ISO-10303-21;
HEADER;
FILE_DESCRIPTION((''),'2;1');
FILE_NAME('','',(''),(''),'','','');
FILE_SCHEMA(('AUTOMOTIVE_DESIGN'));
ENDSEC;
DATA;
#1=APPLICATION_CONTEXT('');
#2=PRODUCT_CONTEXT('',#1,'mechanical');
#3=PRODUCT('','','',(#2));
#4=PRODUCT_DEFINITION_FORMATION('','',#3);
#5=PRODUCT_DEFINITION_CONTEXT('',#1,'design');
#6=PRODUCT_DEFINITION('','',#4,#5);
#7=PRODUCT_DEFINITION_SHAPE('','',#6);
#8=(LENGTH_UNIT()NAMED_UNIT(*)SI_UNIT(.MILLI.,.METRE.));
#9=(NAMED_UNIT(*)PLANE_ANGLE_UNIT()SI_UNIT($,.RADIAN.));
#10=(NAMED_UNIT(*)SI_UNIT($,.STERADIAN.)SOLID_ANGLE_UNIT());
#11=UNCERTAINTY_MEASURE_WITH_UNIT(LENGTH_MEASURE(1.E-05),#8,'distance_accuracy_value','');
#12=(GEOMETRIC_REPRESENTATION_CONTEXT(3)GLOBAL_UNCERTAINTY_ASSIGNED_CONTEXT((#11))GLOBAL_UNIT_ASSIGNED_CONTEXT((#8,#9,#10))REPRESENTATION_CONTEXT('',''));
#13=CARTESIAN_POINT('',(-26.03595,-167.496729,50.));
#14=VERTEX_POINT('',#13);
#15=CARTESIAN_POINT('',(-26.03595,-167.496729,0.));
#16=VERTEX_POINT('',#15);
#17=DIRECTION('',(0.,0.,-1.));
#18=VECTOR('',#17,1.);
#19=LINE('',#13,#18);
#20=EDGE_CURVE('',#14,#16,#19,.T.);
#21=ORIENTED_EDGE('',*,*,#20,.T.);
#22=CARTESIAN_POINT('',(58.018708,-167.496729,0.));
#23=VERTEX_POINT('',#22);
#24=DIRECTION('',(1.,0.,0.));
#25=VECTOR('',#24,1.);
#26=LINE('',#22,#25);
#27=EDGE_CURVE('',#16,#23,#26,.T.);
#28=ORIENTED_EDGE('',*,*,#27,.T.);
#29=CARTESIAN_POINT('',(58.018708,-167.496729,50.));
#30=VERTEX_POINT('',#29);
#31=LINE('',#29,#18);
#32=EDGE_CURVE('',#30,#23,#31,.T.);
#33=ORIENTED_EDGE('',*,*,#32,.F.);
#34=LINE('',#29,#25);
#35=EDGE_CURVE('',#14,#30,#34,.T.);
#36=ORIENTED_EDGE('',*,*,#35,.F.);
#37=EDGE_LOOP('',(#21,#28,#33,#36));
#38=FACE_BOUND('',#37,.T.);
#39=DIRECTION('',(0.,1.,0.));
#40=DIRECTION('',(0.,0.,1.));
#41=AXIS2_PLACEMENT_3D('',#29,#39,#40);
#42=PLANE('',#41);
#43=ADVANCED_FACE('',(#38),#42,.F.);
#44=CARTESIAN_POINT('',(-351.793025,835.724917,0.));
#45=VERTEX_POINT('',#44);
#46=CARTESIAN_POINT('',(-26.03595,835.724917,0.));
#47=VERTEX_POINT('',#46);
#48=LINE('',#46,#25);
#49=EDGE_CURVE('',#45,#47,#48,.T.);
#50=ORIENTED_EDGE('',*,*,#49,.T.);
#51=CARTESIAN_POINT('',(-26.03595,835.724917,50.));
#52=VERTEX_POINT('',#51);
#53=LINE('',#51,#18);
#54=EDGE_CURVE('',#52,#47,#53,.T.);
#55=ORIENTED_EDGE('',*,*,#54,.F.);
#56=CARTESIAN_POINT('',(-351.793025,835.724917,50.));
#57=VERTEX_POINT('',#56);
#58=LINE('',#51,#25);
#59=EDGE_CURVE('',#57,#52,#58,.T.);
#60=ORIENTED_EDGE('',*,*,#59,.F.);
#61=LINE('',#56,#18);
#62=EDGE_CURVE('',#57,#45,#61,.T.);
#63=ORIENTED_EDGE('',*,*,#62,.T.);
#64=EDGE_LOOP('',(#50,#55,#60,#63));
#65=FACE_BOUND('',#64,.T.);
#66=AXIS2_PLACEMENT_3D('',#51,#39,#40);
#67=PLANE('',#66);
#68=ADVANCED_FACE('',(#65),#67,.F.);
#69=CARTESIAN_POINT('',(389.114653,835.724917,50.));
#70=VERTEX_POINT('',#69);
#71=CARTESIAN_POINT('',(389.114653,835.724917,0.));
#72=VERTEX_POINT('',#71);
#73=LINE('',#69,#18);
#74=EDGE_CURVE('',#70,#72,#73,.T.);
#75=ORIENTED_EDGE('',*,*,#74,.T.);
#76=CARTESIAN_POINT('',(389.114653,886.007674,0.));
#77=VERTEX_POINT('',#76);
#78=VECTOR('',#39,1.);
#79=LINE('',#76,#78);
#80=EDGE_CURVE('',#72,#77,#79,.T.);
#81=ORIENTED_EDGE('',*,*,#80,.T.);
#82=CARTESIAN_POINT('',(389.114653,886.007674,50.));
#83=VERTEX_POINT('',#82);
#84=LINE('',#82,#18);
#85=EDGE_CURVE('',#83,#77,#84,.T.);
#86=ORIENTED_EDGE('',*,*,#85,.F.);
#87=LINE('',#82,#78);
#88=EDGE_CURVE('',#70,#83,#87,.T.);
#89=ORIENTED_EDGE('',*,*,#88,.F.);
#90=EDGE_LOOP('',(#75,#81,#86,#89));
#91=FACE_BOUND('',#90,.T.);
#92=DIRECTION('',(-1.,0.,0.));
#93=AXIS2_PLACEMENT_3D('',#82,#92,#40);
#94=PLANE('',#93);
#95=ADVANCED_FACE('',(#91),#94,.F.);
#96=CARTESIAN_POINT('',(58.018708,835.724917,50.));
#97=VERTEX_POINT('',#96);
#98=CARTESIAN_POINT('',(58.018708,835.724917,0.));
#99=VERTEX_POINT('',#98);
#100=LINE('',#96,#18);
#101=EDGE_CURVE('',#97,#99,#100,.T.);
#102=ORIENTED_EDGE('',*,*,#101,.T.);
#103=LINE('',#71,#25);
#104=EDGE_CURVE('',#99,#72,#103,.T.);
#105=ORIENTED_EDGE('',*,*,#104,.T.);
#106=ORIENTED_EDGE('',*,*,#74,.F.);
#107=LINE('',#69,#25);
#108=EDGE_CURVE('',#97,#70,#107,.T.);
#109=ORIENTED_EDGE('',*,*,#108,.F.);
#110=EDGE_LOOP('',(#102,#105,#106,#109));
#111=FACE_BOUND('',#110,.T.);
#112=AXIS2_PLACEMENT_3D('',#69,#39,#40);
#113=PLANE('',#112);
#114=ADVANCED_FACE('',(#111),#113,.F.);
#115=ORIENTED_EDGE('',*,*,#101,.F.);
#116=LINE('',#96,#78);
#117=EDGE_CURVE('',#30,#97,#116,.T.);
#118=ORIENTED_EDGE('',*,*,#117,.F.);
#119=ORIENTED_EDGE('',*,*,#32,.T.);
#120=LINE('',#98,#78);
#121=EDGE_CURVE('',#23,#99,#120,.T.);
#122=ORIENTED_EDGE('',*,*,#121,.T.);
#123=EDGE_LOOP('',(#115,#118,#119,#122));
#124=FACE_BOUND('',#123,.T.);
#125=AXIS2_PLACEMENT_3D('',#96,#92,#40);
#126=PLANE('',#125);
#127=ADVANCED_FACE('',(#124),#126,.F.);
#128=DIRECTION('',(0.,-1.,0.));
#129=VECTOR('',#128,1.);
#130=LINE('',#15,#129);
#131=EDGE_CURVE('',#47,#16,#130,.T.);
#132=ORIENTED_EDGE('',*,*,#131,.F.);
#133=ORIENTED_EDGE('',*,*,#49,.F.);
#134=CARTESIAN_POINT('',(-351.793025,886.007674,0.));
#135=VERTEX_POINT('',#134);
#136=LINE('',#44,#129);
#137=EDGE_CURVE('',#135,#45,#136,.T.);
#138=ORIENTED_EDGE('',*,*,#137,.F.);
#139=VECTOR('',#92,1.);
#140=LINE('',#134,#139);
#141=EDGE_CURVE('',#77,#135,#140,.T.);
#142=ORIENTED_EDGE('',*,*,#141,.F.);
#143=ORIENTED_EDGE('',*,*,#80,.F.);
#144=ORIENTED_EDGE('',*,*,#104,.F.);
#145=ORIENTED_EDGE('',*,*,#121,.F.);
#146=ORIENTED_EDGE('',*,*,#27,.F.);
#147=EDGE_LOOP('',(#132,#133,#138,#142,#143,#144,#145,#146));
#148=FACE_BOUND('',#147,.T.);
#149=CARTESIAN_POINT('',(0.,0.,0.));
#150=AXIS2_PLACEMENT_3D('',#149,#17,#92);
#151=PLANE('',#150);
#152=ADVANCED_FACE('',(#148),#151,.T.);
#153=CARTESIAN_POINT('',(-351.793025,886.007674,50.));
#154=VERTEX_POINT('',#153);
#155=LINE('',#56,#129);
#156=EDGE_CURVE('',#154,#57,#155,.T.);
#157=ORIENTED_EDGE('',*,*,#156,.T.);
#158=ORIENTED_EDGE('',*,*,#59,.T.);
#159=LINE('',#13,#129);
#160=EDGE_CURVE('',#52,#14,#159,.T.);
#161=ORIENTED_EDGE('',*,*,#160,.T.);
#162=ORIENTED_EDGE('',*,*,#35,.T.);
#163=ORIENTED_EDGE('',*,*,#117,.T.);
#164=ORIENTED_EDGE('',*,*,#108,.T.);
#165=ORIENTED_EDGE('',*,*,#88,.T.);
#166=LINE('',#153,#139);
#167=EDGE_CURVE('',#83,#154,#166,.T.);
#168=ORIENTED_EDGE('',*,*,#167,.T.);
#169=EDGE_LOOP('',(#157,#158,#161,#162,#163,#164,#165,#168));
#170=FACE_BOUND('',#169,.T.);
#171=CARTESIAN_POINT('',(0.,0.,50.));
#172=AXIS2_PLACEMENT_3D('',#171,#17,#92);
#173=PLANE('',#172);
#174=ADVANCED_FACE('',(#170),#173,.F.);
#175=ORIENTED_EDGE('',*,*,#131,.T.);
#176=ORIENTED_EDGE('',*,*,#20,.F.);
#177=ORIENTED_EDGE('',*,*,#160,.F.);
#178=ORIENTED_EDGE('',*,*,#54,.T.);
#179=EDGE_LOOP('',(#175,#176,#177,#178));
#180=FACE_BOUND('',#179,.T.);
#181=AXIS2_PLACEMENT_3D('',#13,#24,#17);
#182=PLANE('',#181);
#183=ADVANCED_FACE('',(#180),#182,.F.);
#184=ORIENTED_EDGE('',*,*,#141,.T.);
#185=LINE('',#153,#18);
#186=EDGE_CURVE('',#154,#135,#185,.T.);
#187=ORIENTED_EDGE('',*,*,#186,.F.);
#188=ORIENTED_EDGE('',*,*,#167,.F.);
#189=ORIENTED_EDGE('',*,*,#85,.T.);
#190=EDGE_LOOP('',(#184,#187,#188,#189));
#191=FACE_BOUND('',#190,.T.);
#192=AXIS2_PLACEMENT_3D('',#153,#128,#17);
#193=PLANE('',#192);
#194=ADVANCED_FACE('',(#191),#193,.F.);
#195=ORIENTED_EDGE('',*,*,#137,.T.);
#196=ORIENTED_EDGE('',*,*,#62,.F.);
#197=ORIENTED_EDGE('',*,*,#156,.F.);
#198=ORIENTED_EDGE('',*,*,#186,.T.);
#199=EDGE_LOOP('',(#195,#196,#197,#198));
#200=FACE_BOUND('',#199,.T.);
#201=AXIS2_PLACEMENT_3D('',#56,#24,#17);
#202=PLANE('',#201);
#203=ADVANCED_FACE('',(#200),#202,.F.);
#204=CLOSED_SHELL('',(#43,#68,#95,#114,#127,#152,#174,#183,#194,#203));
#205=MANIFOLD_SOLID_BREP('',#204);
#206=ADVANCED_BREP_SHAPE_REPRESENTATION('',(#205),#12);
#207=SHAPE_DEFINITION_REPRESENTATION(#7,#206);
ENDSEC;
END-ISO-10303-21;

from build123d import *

# Parameters (mm, degrees)
EXTRUDE_1_DEPTH = 50


with BuildPart() as part:
    # Эскиз1 → Бобышка-Вытянуть1 (new body)
    with BuildSketch(Plane.XY):
        Polygon((-26.035949968, -167.496729449), (-26.035949968, 835.724917266), (-351.793024616, 835.724917266), (-351.793024616, 886.007674206), (389.114652518, 886.007674206), (389.114652518, 835.724917266), (58.018707519, 835.724917266), (58.018707519, -167.496729449), align=None)
    extrude(amount=EXTRUDE_1_DEPTH)


solid = part.part
